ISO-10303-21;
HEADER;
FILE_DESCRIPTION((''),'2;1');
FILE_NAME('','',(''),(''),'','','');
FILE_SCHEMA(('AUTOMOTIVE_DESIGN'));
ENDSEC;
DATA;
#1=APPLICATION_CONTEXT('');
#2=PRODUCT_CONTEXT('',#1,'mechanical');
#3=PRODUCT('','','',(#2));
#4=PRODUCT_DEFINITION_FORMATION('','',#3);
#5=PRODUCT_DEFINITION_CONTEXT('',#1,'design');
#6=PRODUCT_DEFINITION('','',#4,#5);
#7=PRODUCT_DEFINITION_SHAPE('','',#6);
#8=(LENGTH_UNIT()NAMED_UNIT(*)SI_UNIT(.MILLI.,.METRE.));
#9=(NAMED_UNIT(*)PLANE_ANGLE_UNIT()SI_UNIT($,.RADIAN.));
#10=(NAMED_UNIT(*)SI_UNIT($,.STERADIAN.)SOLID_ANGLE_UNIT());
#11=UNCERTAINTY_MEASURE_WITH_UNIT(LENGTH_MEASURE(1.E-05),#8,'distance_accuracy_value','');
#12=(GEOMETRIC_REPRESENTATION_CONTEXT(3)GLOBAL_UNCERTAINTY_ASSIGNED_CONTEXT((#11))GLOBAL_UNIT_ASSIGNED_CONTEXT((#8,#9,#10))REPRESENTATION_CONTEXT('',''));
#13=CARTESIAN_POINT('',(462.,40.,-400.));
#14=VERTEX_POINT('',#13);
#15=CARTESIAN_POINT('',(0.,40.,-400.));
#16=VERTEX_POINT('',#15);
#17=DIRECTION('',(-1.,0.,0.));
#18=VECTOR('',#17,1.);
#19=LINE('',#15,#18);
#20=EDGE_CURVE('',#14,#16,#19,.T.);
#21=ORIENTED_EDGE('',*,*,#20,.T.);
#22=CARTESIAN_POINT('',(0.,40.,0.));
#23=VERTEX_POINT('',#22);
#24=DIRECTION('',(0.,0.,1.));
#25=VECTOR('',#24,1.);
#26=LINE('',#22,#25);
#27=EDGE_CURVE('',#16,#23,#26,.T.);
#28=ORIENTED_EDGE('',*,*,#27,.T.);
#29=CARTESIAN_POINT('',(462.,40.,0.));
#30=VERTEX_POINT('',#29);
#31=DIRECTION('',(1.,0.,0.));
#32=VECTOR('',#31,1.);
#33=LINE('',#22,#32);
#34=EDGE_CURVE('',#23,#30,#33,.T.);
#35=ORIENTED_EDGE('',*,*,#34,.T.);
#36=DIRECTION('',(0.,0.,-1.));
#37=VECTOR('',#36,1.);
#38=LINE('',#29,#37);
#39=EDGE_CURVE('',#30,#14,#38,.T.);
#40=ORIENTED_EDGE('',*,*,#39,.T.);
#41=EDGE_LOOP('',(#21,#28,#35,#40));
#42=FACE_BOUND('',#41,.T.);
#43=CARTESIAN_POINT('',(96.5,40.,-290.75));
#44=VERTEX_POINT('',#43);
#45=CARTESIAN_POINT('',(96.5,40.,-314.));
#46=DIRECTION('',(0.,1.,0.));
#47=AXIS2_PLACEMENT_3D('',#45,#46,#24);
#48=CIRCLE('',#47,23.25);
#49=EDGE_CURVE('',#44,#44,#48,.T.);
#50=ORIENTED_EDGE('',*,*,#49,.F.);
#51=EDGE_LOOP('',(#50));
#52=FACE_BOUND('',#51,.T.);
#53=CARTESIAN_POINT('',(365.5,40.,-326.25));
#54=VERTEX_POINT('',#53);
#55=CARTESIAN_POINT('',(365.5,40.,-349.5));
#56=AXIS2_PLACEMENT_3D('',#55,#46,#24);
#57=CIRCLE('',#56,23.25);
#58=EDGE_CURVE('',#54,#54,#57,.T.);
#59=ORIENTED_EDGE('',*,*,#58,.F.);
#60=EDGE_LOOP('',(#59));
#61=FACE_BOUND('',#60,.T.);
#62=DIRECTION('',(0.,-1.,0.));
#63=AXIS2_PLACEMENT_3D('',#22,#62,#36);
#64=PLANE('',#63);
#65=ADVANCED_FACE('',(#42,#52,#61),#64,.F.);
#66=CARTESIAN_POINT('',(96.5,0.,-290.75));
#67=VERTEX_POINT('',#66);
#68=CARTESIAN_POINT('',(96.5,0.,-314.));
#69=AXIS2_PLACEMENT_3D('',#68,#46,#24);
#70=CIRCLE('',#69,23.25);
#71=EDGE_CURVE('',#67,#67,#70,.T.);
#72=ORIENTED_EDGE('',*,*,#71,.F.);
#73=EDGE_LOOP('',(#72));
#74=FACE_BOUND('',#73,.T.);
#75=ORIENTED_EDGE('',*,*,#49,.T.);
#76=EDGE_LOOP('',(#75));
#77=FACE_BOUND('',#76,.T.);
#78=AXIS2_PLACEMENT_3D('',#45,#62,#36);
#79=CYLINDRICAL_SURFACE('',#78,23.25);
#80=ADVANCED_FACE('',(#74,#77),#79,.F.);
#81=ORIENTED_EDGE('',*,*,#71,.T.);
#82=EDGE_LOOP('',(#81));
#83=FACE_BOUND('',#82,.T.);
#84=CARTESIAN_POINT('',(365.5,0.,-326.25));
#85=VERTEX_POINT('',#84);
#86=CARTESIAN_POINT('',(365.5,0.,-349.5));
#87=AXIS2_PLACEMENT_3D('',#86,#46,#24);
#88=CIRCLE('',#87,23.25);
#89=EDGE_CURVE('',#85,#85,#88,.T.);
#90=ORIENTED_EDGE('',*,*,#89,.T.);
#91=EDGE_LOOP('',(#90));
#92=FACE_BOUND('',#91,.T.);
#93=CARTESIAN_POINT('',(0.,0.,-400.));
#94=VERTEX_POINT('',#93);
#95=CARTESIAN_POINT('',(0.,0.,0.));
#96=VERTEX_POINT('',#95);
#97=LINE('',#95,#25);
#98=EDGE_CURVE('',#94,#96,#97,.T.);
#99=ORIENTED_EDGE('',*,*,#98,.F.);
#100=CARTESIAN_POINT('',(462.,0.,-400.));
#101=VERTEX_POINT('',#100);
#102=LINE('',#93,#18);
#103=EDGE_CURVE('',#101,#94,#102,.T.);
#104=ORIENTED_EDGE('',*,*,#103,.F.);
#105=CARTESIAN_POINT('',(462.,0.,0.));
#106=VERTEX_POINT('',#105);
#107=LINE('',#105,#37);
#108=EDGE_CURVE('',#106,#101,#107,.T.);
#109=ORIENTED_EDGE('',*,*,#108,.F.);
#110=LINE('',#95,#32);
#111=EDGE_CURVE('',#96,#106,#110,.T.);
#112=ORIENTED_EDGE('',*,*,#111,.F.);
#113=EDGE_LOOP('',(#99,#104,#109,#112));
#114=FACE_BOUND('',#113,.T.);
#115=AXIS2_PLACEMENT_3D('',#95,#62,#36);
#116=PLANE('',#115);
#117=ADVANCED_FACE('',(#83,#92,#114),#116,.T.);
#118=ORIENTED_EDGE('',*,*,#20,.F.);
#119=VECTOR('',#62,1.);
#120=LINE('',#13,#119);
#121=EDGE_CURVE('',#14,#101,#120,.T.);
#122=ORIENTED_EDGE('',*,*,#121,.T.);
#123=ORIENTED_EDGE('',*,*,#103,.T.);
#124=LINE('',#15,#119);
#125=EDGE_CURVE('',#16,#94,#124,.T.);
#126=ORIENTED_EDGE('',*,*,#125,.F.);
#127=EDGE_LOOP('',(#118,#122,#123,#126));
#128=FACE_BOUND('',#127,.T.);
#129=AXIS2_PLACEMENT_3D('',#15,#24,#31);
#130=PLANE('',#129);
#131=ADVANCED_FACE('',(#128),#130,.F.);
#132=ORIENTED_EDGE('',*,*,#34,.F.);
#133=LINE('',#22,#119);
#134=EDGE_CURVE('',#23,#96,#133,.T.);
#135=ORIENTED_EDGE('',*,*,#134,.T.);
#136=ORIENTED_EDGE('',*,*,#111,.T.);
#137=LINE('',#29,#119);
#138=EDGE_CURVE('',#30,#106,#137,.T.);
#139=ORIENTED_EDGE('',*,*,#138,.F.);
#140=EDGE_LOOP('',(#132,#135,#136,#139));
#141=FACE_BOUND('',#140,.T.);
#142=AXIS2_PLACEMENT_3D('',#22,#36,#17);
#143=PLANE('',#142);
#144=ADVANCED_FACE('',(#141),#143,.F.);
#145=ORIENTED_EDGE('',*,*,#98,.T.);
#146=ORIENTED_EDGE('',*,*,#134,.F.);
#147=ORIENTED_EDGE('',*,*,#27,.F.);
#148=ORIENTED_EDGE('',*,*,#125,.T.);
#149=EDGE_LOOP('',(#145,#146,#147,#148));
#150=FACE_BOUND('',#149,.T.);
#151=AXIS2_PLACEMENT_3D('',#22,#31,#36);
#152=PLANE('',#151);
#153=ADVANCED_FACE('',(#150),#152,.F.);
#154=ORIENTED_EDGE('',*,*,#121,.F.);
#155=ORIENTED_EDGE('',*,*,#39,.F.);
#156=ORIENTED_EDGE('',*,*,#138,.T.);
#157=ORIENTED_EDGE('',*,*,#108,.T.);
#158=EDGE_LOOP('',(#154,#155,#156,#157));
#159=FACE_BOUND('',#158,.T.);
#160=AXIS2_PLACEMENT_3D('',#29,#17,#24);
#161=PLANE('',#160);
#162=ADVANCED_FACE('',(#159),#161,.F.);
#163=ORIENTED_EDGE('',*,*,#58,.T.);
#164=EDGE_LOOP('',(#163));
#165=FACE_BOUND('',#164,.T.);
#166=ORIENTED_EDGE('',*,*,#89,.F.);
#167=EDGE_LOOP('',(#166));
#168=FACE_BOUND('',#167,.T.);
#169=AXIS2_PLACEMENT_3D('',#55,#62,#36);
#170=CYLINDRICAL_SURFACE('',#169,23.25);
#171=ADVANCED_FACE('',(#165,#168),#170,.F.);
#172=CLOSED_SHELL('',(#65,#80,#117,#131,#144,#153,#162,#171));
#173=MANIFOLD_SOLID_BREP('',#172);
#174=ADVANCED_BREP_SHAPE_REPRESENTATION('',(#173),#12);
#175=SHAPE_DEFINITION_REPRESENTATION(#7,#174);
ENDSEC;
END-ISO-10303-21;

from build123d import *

# Parameters (mm, degrees)
SZKIC1_W                    = 462
SZKIC1_H                    = 400
SZKIC1_R                    = 23.25
DODANIE_WYCI_GNI_CIE1_DEPTH = 40


with BuildPart() as part:
    # Szkic1 → Dodanie-wyciągnięcie1 (new body)
    with BuildSketch(Plane(origin=(0, 0, 0), x_dir=(1, 0, 0), z_dir=(0, 1, 0))):
        with Locations((231, 200)):
            Rectangle(SZKIC1_W, SZKIC1_H)
        with Locations(Location((96.5, 314, 0), (0, 0, 270))):
            Circle(SZKIC1_R, mode=Mode.SUBTRACT)
        with Locations(Location((365.5, 349.5, 0), (0, 0, 270))):
            Circle(SZKIC1_R, mode=Mode.SUBTRACT)
    extrude(amount=DODANIE_WYCI_GNI_CIE1_DEPTH)


solid = part.part
